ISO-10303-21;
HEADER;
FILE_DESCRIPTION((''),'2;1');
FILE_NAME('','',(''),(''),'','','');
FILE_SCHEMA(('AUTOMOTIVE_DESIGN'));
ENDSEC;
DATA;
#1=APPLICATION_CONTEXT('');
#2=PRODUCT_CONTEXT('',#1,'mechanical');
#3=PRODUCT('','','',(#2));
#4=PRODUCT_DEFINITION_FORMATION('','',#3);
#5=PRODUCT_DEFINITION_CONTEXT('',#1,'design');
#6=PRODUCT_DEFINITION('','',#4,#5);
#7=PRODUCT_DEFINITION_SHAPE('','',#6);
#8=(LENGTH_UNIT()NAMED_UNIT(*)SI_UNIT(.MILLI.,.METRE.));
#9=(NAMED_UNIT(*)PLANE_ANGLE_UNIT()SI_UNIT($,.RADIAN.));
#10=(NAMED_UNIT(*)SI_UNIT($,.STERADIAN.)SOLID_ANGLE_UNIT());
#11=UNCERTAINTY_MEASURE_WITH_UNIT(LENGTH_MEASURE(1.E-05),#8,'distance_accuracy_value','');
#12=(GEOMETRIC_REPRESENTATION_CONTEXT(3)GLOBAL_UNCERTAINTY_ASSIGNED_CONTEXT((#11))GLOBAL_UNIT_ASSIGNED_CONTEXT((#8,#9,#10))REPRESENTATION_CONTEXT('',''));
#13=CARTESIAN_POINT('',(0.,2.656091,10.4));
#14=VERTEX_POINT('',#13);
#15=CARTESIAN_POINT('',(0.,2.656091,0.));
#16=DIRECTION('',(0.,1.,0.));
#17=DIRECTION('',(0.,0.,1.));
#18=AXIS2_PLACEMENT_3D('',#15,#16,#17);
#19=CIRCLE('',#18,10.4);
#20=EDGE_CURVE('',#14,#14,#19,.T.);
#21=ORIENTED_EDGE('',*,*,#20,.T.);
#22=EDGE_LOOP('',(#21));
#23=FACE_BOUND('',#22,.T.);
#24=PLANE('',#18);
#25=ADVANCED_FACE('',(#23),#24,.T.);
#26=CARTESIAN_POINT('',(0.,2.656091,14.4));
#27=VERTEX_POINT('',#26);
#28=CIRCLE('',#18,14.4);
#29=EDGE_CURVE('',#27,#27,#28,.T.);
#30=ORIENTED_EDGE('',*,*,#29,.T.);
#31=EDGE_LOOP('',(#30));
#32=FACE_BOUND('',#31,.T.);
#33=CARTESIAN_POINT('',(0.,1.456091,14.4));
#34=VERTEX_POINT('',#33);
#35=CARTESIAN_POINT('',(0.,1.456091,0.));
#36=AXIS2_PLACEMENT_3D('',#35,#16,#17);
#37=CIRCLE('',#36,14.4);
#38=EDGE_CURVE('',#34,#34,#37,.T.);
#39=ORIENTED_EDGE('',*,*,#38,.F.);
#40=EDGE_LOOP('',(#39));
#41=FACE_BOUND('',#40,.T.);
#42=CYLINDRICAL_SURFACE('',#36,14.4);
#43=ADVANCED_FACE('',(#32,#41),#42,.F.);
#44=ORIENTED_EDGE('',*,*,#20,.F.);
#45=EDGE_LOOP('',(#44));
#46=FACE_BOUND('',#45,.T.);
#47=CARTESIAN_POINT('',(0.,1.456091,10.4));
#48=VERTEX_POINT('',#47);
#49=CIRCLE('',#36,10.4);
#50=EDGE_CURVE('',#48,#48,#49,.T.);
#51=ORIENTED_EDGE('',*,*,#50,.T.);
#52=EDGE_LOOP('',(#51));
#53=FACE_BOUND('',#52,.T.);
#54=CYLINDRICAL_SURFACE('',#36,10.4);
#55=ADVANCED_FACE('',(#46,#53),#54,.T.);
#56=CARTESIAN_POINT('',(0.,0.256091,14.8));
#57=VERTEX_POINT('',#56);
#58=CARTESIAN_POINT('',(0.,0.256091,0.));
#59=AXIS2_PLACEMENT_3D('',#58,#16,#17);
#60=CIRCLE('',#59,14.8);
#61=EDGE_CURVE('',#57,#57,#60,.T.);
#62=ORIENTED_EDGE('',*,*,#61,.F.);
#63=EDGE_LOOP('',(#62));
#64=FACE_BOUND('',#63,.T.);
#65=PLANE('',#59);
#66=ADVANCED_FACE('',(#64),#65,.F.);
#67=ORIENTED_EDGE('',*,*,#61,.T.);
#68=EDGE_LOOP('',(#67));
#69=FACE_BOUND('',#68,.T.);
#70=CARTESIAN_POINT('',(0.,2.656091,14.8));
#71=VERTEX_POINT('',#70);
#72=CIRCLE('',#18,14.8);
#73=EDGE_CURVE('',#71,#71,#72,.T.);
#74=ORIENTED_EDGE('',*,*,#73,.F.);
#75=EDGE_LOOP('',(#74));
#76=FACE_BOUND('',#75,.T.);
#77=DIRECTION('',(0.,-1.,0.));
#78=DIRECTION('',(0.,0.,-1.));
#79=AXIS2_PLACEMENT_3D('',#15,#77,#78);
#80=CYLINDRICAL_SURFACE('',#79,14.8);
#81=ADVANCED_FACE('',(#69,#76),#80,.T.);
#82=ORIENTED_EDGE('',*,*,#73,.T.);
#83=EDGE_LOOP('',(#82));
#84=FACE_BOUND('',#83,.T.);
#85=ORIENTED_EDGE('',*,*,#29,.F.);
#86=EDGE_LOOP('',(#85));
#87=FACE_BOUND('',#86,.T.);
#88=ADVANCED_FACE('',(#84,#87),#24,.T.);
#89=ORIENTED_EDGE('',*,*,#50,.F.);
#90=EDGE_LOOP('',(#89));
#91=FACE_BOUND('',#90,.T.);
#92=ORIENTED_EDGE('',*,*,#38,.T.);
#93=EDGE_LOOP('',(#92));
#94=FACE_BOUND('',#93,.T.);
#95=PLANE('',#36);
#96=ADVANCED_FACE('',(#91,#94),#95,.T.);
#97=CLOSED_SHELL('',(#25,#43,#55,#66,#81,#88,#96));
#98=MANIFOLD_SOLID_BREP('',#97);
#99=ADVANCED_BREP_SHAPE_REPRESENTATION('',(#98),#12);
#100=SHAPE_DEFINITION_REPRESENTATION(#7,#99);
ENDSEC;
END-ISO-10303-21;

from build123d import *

# Parameters (mm, degrees)
SKETCH1_R           = 18.5
BOSS_EXTRUDE1_DEPTH = 3
SKETCH2_R           = 18
SKETCH2_R_2         = 13
CUT_EXTRUDE1_DEPTH  = 1.5
SCALE1_SCALE        = 0.8


with BuildPart() as part:
    # Sketch1 → Boss-Extrude1 (new body)
    with BuildSketch(Plane(origin=(0, 0, 0), x_dir=(1, 0, 0), z_dir=(0, 1, 0))):
        with Locations(Location((0, 0, 0), (0, 0, 270))):
            Circle(SKETCH1_R)
    extrude(amount=BOSS_EXTRUDE1_DEPTH)

    # Sketch2 → Cut-Extrude1 (cut)
    with BuildSketch(Plane(origin=(0, 3, 0), x_dir=(1, 0, 0), z_dir=(0, 1, 0))):
        with Locations(Location((0, 0, 0), (0, 0, 270))):
            Circle(SKETCH2_R)
        with Locations(Location((0, 0, 0), (0, 0, 270))):
            Circle(SKETCH2_R_2, mode=Mode.SUBTRACT)
    extrude(amount=-CUT_EXTRUDE1_DEPTH, mode=Mode.SUBTRACT)


with BuildPart() as part_1:
    # Scale1: scaled about (0, 1.280453258, 0)
    add(part.part.scale(SCALE1_SCALE).moved(Location((0, 0.256090652, 0))))


solid = part_1.part
